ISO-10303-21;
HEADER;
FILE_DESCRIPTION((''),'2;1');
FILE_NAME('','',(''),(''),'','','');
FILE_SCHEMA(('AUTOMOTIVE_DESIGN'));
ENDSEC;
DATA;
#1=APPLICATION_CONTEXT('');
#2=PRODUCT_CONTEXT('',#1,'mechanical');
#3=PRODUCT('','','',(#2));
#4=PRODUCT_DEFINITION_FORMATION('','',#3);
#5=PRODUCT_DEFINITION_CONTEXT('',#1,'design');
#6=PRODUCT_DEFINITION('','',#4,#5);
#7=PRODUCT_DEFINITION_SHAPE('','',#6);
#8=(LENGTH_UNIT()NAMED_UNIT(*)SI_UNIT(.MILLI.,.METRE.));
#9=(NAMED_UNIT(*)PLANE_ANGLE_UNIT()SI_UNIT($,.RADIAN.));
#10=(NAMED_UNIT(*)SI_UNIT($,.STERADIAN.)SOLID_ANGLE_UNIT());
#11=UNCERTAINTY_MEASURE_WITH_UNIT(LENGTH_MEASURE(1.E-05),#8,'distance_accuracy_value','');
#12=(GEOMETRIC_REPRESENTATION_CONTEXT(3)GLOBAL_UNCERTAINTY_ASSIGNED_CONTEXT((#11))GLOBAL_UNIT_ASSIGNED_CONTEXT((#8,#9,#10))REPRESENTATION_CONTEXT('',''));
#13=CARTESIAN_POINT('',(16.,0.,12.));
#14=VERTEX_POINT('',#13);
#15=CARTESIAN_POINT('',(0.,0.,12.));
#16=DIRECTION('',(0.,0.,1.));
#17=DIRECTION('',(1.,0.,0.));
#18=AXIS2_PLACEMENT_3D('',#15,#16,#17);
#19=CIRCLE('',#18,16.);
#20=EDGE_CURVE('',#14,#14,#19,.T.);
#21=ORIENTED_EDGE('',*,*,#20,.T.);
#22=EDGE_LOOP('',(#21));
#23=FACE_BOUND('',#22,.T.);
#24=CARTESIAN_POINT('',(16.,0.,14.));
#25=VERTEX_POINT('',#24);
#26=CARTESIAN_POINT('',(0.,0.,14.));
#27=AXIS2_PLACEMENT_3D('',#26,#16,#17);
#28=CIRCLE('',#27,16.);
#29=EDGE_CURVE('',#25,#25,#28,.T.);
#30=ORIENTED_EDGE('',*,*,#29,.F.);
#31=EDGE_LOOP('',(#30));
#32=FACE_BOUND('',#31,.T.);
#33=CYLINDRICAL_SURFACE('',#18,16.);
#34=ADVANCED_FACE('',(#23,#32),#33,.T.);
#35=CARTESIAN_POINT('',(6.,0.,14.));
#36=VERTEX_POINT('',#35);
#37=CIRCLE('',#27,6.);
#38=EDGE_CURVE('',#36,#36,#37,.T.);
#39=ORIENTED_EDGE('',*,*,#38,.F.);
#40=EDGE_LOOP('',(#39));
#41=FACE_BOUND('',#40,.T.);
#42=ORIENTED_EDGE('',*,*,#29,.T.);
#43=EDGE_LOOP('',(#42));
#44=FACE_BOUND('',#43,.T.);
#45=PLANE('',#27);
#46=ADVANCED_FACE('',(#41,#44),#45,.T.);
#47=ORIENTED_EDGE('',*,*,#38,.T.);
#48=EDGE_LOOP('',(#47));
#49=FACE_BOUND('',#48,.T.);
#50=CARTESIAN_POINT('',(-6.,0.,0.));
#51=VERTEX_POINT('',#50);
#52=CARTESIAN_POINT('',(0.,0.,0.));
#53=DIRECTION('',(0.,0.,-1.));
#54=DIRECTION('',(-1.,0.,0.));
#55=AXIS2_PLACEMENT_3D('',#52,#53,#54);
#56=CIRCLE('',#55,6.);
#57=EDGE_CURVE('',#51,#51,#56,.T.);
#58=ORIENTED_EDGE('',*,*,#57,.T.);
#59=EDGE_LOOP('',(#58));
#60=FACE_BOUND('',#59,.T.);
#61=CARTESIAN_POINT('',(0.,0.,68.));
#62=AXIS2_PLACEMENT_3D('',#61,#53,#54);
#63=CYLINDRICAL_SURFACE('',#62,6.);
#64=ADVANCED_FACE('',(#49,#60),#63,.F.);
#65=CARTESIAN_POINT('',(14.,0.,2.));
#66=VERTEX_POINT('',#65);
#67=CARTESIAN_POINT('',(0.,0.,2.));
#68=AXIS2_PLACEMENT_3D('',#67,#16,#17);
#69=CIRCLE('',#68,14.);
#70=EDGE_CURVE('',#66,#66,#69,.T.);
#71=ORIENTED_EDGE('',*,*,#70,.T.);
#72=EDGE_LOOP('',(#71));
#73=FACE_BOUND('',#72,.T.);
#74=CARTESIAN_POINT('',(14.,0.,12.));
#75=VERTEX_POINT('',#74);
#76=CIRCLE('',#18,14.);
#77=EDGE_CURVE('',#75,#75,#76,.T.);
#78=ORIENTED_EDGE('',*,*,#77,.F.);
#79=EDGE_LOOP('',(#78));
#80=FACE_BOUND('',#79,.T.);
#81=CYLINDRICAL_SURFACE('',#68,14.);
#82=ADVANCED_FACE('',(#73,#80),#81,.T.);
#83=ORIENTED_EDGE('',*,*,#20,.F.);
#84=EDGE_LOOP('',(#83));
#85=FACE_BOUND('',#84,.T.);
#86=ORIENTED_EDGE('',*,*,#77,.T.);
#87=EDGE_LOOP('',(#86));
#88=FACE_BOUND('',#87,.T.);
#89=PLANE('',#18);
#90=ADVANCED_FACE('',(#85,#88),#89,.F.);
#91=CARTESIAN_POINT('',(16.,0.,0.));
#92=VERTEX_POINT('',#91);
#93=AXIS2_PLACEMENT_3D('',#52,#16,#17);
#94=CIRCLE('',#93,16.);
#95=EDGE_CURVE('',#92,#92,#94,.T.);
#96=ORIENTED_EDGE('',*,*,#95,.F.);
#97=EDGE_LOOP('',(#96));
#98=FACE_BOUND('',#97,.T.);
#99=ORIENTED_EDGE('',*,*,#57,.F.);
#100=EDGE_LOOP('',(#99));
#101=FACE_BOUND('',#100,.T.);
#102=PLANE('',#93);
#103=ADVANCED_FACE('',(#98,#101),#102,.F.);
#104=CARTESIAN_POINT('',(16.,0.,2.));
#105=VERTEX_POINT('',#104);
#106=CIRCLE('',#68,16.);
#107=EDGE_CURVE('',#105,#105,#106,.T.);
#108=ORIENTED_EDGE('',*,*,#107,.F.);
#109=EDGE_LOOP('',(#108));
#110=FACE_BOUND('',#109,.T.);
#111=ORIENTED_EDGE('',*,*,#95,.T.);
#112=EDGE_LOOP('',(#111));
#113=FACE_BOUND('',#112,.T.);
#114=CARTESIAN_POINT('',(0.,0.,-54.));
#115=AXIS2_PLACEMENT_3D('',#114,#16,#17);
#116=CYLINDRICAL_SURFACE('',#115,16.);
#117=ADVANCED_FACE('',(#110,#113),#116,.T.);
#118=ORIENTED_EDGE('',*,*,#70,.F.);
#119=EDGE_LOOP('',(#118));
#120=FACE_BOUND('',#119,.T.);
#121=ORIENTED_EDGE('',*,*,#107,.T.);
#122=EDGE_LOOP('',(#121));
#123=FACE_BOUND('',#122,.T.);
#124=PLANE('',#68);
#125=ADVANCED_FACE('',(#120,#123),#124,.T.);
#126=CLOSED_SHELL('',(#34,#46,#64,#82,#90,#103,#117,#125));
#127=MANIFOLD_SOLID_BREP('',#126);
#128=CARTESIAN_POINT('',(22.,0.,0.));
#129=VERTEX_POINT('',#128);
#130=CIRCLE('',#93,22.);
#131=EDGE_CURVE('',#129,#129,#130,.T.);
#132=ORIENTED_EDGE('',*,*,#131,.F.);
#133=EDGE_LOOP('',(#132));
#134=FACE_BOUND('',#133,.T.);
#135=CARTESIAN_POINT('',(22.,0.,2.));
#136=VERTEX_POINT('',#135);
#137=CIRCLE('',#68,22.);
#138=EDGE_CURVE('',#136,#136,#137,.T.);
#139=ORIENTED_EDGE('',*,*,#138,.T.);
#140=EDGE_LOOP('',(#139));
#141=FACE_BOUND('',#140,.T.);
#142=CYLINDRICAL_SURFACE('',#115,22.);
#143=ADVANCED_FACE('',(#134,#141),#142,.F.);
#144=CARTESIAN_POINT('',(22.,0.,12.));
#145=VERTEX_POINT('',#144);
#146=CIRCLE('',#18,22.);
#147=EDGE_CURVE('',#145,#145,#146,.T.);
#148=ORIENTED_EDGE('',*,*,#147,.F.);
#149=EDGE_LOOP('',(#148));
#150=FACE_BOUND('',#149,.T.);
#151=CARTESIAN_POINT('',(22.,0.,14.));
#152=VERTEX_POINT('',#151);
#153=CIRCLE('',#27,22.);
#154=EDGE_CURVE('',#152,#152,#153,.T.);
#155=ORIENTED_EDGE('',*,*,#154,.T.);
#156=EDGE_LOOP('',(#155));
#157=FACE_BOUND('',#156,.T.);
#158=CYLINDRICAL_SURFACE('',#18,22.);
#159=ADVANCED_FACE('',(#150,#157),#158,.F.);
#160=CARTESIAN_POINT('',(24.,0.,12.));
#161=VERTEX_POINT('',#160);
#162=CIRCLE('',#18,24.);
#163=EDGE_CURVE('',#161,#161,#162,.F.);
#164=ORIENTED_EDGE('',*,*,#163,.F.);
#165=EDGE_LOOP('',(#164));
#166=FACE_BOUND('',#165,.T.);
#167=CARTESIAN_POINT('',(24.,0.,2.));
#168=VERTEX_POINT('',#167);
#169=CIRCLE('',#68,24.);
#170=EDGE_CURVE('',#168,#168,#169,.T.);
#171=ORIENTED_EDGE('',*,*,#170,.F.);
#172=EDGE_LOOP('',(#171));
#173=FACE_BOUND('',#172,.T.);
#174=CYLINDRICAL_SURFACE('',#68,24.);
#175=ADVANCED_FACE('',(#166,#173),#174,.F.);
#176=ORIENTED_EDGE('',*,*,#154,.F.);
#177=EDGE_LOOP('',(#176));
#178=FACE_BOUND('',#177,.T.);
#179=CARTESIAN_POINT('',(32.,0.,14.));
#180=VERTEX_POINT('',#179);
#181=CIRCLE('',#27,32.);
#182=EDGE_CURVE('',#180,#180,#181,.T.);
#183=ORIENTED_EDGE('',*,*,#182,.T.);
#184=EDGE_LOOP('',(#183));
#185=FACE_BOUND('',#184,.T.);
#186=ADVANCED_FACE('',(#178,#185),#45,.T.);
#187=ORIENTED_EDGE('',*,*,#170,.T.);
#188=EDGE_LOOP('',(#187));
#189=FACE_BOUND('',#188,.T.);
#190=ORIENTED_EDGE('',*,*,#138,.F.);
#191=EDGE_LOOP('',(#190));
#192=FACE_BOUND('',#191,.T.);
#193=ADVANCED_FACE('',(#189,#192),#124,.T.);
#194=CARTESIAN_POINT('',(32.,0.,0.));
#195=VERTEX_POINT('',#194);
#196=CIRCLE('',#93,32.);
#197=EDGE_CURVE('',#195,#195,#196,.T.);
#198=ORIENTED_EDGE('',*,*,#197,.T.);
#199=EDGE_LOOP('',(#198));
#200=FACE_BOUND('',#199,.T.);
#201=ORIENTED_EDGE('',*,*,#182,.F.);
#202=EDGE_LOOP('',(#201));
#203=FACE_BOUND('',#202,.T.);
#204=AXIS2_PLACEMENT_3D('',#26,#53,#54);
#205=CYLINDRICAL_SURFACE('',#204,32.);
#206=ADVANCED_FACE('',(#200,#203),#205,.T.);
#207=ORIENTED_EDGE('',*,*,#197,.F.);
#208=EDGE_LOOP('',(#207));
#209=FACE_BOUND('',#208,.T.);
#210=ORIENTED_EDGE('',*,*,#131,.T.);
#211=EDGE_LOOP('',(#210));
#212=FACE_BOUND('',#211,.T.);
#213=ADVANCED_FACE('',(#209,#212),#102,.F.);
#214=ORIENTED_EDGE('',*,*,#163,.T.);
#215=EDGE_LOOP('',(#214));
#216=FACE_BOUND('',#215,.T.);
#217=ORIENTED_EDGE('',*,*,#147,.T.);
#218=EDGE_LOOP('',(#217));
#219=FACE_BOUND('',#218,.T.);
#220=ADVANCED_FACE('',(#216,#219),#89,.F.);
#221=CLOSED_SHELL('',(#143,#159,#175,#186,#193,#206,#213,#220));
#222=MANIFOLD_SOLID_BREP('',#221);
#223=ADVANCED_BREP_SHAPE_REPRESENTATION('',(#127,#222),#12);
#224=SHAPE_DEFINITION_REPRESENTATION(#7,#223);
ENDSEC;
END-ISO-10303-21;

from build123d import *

# Parameters (mm, degrees)
SKETCH1_R           = 32
BOSS_EXTRUDE1_DEPTH = 14
SKETCH2_R           = 24
SKETCH2_R_2         = 14
CUT_EXTRUDE1_DEPTH  = 12
SKETCH3_R           = 16
SKETCH3_R_2         = 14
BOSS_EXTRUDE2_DEPTH = 2
SKETCH4_R           = 24
SKETCH4_R_2         = 22
BOSS_EXTRUDE3_DEPTH = 2
SKETCH5_R           = 22
SKETCH5_R_2         = 16
CUT_EXTRUDE2_DEPTH  = 68
SKETCH6_R           = 6
CUT_EXTRUDE3_DEPTH  = 68


with BuildPart() as part:
    # Sketch1 → Boss-Extrude1 (new body)
    with BuildSketch(Plane.XY):
        Circle(SKETCH1_R)
    extrude(amount=BOSS_EXTRUDE1_DEPTH)

    # Sketch2 → Cut-Extrude1 (cut)
    with BuildSketch(Plane.XY.offset(14)):
        Circle(SKETCH2_R)
        Circle(SKETCH2_R_2, mode=Mode.SUBTRACT)
    extrude(amount=-CUT_EXTRUDE1_DEPTH, mode=Mode.SUBTRACT)

    # Sketch3 → Boss-Extrude2 (add)
    with BuildSketch(Plane.XY.offset(14)):
        Circle(SKETCH3_R)
        Circle(SKETCH3_R_2, mode=Mode.SUBTRACT)
    extrude(amount=-BOSS_EXTRUDE2_DEPTH)

    # Sketch4 → Boss-Extrude3 (add)
    with BuildSketch(Plane.XY.offset(14)):
        Circle(SKETCH4_R)
        Circle(SKETCH4_R_2, mode=Mode.SUBTRACT)
    extrude(amount=-BOSS_EXTRUDE3_DEPTH)

    # Sketch5 → Cut-Extrude2 (cut)
    with BuildSketch(Plane.XY.offset(14)):
        Circle(SKETCH5_R)
        Circle(SKETCH5_R_2, mode=Mode.SUBTRACT)
    extrude(amount=-CUT_EXTRUDE2_DEPTH, mode=Mode.SUBTRACT)


with BuildPart() as cut_extrude2_piece_1:
    # of the separate pieces the step leaves, piece 1, a body of its own (cut_extrude2_pieces)
    add(part.part.solids().sort_by_distance((32, 0, 0))[0])


with BuildPart() as cut_extrude2_piece_2:
    # of the separate pieces the step leaves, piece 2, a body of its own (cut_extrude2_pieces)
    add(part.part.solids().sort_by_distance((16, 0, 0))[0])

    # Sketch6 → Cut-Extrude3 (cut)
    with BuildSketch(Plane(origin=(0, 0, 0), x_dir=(-1, 0, 0), z_dir=(0, 0, -1))):
        Circle(SKETCH6_R)
    extrude(amount=-CUT_EXTRUDE3_DEPTH, mode=Mode.SUBTRACT)


solid = Compound([cut_extrude2_piece_1.part, cut_extrude2_piece_2.part])
